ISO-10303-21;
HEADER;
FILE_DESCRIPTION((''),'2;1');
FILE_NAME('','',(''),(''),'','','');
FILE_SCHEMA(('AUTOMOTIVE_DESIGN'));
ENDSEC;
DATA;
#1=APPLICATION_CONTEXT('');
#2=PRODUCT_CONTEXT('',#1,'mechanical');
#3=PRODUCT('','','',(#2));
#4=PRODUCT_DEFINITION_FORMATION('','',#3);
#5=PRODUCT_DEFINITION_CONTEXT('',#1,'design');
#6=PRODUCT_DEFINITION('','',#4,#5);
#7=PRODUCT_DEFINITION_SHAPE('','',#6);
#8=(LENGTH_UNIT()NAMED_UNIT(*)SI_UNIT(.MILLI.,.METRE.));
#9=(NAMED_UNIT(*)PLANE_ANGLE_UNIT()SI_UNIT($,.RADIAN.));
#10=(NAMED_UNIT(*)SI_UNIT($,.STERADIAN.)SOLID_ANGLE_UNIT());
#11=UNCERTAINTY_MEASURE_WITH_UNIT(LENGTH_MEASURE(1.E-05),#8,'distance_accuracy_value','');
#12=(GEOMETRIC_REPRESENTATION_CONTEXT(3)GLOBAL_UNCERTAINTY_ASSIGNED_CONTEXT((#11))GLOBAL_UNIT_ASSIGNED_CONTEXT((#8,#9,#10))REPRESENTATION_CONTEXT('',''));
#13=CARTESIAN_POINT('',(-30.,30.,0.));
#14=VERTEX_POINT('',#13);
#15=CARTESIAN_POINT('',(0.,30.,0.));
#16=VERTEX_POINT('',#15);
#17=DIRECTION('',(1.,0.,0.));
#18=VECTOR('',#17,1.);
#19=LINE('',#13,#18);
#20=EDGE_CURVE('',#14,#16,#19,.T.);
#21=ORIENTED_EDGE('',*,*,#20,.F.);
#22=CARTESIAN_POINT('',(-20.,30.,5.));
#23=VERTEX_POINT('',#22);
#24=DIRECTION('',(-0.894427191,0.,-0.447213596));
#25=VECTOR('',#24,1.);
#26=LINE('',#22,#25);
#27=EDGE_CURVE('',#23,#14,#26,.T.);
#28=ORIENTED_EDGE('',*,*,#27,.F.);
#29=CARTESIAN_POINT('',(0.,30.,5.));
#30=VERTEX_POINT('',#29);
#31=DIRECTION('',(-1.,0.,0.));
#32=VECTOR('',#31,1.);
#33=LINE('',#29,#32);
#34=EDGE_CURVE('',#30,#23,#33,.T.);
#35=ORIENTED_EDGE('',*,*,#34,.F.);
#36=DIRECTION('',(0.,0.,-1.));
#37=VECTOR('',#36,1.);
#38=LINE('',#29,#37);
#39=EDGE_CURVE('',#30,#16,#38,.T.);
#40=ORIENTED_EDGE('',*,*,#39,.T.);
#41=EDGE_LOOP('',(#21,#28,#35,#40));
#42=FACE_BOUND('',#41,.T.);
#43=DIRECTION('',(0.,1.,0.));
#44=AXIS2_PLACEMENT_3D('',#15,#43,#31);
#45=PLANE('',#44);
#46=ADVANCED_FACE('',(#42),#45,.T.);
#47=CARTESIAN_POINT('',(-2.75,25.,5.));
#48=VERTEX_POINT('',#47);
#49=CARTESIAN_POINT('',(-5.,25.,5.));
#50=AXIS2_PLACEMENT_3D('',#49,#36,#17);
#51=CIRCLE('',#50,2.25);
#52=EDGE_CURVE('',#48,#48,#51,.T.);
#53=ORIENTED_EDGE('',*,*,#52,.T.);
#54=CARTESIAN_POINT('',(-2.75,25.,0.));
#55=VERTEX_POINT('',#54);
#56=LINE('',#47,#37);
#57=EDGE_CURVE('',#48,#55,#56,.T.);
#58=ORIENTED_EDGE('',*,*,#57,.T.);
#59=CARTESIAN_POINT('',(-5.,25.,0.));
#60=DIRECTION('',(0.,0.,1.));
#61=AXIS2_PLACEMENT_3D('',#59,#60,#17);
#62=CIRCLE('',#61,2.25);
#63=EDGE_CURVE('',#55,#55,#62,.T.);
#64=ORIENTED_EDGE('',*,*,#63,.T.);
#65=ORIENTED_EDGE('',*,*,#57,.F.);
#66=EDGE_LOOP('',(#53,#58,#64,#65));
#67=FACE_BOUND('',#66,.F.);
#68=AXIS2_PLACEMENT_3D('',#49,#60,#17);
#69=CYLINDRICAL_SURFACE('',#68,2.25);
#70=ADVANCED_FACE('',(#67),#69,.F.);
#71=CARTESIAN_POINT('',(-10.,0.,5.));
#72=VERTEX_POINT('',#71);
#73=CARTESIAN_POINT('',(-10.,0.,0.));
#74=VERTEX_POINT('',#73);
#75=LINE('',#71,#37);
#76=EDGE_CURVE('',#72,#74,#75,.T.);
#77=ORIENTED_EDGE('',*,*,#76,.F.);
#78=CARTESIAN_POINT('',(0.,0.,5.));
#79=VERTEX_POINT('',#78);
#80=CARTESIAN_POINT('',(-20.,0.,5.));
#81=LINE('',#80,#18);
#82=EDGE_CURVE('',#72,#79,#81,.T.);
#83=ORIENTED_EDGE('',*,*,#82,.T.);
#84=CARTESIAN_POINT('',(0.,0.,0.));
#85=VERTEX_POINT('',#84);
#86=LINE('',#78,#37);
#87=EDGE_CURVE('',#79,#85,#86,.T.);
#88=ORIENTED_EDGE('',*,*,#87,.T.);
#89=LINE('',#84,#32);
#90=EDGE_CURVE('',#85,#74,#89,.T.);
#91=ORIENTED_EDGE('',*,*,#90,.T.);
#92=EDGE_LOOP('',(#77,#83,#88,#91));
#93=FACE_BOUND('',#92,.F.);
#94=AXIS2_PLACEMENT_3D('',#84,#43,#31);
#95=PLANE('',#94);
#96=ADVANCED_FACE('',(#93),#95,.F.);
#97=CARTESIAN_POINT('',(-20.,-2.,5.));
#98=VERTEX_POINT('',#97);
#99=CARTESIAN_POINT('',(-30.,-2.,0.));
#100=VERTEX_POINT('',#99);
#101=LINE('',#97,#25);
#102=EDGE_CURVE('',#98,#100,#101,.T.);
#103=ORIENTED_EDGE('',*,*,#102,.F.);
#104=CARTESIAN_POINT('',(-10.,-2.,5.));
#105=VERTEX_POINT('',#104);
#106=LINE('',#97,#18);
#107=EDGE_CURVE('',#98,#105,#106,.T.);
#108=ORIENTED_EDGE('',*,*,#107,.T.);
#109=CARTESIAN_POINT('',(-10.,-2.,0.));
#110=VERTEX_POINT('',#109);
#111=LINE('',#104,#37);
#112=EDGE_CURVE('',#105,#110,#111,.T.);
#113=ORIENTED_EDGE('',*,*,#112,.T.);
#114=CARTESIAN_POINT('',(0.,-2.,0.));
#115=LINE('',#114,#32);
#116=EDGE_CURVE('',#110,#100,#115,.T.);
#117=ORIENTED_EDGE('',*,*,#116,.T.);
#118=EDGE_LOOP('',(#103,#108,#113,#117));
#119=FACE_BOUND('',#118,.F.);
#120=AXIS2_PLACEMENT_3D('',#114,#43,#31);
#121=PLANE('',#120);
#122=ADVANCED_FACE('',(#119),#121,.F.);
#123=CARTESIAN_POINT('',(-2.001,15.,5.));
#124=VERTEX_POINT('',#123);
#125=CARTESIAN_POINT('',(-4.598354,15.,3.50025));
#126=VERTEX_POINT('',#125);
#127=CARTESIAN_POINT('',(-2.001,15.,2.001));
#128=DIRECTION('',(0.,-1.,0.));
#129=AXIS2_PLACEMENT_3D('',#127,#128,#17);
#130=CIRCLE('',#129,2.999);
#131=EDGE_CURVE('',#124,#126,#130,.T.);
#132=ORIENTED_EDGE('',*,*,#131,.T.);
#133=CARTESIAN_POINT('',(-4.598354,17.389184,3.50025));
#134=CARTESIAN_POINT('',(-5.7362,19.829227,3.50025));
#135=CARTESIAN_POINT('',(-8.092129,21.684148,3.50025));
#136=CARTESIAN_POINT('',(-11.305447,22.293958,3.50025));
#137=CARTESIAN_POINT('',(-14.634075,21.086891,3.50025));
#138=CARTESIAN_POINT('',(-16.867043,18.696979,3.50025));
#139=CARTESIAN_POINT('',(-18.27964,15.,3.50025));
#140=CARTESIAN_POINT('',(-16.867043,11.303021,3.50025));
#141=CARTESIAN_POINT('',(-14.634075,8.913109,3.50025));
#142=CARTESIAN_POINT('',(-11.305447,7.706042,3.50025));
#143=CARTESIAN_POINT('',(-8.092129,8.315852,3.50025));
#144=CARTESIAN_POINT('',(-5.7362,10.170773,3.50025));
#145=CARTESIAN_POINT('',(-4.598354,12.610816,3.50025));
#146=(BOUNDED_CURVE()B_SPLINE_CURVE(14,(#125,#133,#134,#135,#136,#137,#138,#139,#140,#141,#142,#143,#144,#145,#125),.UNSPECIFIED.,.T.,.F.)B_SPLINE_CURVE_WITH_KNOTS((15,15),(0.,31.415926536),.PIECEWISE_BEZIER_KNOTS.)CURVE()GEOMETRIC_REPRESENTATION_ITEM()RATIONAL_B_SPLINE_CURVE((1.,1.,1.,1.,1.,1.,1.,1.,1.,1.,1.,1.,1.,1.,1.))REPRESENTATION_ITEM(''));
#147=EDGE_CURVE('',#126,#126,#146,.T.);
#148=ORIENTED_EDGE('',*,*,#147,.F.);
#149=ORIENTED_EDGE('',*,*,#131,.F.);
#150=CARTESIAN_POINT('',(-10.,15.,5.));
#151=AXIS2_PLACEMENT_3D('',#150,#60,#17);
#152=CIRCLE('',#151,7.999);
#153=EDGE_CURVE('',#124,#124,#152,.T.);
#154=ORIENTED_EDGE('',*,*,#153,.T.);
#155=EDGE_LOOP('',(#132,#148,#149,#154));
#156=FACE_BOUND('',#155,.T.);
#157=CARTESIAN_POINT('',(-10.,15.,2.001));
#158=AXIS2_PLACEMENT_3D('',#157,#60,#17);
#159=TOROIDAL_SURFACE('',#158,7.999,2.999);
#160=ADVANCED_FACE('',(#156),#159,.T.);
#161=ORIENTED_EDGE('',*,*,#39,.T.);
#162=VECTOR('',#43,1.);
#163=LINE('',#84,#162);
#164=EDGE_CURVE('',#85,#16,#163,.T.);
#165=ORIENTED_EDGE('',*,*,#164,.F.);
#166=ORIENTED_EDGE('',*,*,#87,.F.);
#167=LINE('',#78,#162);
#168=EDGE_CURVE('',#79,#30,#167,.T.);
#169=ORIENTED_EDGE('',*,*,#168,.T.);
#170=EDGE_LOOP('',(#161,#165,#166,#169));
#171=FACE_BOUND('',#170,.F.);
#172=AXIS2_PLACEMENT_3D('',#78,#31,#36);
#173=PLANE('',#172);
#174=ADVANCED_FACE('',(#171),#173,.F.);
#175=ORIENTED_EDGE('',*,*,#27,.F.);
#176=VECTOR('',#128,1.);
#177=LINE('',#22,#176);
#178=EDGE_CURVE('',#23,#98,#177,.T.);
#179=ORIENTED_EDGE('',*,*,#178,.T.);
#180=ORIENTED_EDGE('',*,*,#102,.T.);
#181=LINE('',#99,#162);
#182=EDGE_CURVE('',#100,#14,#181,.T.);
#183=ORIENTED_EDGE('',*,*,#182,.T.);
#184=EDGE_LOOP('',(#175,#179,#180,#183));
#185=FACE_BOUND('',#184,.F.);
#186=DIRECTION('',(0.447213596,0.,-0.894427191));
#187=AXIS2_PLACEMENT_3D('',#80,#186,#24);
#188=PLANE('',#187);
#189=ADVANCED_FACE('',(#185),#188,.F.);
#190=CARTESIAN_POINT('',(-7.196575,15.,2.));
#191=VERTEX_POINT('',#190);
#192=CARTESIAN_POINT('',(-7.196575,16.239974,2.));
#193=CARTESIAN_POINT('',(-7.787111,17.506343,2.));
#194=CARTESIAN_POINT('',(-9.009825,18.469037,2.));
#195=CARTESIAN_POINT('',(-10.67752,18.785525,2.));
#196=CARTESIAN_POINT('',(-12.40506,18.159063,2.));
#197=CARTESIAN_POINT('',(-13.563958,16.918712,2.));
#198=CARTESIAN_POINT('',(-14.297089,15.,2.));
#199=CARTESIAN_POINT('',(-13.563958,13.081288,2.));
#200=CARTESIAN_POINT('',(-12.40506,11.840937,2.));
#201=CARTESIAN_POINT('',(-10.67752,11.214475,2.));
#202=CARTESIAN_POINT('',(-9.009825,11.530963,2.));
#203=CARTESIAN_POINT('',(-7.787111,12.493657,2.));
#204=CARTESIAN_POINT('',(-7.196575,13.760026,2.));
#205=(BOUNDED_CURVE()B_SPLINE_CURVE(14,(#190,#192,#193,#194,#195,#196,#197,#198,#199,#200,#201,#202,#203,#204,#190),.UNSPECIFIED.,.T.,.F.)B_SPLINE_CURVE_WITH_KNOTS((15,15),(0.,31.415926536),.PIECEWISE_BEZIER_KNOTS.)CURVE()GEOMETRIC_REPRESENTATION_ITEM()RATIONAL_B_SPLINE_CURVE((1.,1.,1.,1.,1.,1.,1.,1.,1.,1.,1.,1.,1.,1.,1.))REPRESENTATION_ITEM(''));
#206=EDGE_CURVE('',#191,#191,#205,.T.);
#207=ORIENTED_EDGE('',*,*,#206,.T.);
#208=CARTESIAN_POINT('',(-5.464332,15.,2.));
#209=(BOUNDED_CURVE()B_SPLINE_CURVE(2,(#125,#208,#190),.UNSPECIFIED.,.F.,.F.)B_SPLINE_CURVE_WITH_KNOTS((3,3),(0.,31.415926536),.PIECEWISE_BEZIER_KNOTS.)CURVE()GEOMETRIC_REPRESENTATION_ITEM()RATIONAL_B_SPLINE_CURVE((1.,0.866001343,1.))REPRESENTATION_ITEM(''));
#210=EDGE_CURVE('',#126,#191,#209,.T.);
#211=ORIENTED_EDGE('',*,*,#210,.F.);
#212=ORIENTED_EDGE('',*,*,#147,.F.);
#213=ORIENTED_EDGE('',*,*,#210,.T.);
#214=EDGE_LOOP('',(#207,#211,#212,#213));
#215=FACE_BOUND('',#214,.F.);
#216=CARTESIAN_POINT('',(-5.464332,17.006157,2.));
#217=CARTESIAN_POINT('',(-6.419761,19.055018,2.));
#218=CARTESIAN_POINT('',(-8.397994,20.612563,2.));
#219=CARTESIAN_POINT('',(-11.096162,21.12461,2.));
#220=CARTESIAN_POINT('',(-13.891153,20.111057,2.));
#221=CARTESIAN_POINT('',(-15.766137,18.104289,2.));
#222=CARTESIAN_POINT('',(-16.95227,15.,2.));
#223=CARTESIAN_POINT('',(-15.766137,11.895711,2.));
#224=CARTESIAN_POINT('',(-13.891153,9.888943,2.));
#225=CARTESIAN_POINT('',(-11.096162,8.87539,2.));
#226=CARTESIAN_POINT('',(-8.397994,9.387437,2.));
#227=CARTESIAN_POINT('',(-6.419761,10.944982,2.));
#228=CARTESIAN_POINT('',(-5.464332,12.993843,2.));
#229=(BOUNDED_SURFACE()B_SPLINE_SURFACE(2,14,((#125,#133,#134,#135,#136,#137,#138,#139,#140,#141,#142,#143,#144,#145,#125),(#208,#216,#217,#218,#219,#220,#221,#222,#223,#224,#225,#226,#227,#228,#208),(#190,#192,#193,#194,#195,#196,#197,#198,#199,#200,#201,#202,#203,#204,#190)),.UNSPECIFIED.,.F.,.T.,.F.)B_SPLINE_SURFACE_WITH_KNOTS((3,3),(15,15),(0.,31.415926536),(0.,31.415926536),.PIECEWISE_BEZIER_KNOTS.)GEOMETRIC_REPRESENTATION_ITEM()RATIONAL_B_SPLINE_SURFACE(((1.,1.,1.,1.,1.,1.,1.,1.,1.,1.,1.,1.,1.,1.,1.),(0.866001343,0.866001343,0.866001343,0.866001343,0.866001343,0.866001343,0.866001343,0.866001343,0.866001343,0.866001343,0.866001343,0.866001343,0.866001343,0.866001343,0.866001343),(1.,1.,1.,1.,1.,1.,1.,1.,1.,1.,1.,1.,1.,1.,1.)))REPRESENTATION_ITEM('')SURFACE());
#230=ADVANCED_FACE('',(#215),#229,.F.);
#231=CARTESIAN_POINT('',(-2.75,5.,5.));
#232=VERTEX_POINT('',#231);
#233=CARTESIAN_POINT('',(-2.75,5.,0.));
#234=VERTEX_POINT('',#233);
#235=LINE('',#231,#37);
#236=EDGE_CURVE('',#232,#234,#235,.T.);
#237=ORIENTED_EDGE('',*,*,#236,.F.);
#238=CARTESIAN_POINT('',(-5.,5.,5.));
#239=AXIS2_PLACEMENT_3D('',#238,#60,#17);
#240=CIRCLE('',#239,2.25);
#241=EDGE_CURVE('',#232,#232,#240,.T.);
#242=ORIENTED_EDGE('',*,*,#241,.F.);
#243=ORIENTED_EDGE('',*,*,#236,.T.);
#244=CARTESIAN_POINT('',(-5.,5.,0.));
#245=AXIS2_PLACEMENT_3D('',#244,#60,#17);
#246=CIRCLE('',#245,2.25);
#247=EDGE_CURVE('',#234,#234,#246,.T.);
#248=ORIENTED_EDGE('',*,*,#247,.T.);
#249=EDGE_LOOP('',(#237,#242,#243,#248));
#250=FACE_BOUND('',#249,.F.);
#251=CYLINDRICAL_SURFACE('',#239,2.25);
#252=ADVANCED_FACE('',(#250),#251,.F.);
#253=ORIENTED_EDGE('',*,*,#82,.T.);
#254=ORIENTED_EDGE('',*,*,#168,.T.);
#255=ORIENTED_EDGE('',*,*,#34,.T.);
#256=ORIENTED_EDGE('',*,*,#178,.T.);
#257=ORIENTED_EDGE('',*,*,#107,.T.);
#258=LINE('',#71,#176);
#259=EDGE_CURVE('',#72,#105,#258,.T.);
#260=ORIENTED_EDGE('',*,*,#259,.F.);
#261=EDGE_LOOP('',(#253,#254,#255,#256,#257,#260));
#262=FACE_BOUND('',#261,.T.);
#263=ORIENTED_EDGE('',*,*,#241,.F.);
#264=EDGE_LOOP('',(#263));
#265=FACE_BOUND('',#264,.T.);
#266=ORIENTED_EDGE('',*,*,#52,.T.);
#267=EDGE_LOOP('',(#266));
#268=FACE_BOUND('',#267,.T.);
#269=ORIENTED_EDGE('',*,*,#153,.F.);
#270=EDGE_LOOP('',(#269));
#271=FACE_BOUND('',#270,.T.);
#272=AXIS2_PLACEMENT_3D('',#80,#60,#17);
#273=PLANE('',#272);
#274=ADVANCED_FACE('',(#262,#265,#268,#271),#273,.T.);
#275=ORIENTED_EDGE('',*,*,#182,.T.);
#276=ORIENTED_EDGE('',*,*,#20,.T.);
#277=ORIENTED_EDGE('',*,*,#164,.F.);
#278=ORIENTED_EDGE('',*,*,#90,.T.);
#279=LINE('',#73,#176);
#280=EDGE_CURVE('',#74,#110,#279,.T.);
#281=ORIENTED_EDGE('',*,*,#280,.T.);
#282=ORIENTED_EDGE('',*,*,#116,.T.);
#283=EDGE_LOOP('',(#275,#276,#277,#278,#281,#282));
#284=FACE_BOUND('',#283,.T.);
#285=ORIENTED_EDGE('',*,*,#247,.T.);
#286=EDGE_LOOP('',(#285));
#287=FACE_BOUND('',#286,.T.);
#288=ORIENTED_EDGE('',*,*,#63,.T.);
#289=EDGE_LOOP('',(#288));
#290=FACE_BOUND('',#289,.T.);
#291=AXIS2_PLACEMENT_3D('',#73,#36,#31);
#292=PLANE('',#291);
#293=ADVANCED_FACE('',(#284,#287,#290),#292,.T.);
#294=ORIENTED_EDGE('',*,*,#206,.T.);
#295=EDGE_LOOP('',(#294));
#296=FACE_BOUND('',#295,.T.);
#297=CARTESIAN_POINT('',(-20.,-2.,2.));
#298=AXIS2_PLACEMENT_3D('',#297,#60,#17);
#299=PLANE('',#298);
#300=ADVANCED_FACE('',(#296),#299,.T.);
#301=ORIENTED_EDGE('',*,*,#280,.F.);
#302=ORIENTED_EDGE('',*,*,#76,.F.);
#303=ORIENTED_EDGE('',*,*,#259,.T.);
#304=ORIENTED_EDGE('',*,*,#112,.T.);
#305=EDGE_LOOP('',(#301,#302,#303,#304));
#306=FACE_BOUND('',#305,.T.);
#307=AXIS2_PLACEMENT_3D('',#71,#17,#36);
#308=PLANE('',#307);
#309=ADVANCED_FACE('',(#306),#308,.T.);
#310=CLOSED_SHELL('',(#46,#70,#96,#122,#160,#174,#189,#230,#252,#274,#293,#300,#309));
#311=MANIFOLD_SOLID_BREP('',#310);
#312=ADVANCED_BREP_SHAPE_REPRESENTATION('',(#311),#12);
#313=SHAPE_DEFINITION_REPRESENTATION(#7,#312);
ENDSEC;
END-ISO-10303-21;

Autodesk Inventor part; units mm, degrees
ref_plane "YZ Plane" through (0, 0, 0) normal (1, 0, 0) x (0, 1, 0)
ref_plane "XZ Plane" through (0, 0, 0) normal (0, 1, 0) x (-1, 0, 0)
sketch "Sketch1" plane through (0, 0, 0) normal (0, 1, 0) x (-1, 0, 0)
  line L0 (0, 0) -> (30, 0)
  line L1 (0, 5) -> (0, 0)
  line L2 (20, 5) -> (30, 0)
  line L3 (30, 12) -> (0, 12)
  line L4 (0, 12) -> (0, 5)
  line L5 (0, 5) -> (0, 7)
  line L6 (18, 7) -> (30, 12)
  line L7 (20, 5) -> (10, 5)
  line L8 (10, 5) -> (10, 7)
  line L9 (18, 7) -> (10, 7)
  line L10 (10, 5) -> (0, 5)
  line L11 (10, 5) -> (10, 0)
  dimension "d13" = 2
  dimension "d15" = 10
extrude "Extrusion2" add sketch "Sketch1" along normal blind 30 contours L1 L10 L11 L0 | L11 L7 L2 L0
ref_plane "Work Plane2" through (-20, -2, 5) normal (0, 0, 1) x (1, 0, 0)
sketch "Sketch2" plane through (-20, -2, 5) normal (0, 0, 1) x (1, 0, 0)
  line L0 (20, 2) -> (20, 17)
  line L1 (20, 2) -> (20, 32) projected
  line L2 (20, 17) -> (10, 17)
  circle A0 centre (10, 17) radius 5
  circle A1 centre (10, 17) radius 7.5
  line L3 (20, 32) -> (15, 32)
  line L4 (20, 32) -> (-10, 32) projected
  line L5 (15, 32) -> (15, 27)
  circle A2 centre (15, 27) radius 2.25
  line L6 (20, 17) -> (20, 7)
  line L7 (20, 2) -> (20, 32) projected
  line L8 (20, 7) -> (15, 7)
  circle A3 centre (15, 7) radius 2.25
  dimension "d20" = 10
  dimension "d21" = 10
  dimension "d22" = 15
  dimension "d30" = 5
  dimension "d31" = 5
  dimension "d32" = 4.5
  dimension "d33" = 10
  dimension "d34" = 5
  dimension "d35" = 4.5
extrude "Extrusion3" cut sketch "Sketch2" against normal blind 3 contours A0
fillet "Fillet3" radius 3 2 edges at (-15, 15, 5) (-15, 15, 2)
extrude "Extrusion4" add sketch "Sketch1" against normal blind 2 contours L11 L7 L2 L0
extrude "Extrusion5" cut sketch "Sketch2" against normal blind 20 contours A2 | A3
properties part number "clip_tip"
